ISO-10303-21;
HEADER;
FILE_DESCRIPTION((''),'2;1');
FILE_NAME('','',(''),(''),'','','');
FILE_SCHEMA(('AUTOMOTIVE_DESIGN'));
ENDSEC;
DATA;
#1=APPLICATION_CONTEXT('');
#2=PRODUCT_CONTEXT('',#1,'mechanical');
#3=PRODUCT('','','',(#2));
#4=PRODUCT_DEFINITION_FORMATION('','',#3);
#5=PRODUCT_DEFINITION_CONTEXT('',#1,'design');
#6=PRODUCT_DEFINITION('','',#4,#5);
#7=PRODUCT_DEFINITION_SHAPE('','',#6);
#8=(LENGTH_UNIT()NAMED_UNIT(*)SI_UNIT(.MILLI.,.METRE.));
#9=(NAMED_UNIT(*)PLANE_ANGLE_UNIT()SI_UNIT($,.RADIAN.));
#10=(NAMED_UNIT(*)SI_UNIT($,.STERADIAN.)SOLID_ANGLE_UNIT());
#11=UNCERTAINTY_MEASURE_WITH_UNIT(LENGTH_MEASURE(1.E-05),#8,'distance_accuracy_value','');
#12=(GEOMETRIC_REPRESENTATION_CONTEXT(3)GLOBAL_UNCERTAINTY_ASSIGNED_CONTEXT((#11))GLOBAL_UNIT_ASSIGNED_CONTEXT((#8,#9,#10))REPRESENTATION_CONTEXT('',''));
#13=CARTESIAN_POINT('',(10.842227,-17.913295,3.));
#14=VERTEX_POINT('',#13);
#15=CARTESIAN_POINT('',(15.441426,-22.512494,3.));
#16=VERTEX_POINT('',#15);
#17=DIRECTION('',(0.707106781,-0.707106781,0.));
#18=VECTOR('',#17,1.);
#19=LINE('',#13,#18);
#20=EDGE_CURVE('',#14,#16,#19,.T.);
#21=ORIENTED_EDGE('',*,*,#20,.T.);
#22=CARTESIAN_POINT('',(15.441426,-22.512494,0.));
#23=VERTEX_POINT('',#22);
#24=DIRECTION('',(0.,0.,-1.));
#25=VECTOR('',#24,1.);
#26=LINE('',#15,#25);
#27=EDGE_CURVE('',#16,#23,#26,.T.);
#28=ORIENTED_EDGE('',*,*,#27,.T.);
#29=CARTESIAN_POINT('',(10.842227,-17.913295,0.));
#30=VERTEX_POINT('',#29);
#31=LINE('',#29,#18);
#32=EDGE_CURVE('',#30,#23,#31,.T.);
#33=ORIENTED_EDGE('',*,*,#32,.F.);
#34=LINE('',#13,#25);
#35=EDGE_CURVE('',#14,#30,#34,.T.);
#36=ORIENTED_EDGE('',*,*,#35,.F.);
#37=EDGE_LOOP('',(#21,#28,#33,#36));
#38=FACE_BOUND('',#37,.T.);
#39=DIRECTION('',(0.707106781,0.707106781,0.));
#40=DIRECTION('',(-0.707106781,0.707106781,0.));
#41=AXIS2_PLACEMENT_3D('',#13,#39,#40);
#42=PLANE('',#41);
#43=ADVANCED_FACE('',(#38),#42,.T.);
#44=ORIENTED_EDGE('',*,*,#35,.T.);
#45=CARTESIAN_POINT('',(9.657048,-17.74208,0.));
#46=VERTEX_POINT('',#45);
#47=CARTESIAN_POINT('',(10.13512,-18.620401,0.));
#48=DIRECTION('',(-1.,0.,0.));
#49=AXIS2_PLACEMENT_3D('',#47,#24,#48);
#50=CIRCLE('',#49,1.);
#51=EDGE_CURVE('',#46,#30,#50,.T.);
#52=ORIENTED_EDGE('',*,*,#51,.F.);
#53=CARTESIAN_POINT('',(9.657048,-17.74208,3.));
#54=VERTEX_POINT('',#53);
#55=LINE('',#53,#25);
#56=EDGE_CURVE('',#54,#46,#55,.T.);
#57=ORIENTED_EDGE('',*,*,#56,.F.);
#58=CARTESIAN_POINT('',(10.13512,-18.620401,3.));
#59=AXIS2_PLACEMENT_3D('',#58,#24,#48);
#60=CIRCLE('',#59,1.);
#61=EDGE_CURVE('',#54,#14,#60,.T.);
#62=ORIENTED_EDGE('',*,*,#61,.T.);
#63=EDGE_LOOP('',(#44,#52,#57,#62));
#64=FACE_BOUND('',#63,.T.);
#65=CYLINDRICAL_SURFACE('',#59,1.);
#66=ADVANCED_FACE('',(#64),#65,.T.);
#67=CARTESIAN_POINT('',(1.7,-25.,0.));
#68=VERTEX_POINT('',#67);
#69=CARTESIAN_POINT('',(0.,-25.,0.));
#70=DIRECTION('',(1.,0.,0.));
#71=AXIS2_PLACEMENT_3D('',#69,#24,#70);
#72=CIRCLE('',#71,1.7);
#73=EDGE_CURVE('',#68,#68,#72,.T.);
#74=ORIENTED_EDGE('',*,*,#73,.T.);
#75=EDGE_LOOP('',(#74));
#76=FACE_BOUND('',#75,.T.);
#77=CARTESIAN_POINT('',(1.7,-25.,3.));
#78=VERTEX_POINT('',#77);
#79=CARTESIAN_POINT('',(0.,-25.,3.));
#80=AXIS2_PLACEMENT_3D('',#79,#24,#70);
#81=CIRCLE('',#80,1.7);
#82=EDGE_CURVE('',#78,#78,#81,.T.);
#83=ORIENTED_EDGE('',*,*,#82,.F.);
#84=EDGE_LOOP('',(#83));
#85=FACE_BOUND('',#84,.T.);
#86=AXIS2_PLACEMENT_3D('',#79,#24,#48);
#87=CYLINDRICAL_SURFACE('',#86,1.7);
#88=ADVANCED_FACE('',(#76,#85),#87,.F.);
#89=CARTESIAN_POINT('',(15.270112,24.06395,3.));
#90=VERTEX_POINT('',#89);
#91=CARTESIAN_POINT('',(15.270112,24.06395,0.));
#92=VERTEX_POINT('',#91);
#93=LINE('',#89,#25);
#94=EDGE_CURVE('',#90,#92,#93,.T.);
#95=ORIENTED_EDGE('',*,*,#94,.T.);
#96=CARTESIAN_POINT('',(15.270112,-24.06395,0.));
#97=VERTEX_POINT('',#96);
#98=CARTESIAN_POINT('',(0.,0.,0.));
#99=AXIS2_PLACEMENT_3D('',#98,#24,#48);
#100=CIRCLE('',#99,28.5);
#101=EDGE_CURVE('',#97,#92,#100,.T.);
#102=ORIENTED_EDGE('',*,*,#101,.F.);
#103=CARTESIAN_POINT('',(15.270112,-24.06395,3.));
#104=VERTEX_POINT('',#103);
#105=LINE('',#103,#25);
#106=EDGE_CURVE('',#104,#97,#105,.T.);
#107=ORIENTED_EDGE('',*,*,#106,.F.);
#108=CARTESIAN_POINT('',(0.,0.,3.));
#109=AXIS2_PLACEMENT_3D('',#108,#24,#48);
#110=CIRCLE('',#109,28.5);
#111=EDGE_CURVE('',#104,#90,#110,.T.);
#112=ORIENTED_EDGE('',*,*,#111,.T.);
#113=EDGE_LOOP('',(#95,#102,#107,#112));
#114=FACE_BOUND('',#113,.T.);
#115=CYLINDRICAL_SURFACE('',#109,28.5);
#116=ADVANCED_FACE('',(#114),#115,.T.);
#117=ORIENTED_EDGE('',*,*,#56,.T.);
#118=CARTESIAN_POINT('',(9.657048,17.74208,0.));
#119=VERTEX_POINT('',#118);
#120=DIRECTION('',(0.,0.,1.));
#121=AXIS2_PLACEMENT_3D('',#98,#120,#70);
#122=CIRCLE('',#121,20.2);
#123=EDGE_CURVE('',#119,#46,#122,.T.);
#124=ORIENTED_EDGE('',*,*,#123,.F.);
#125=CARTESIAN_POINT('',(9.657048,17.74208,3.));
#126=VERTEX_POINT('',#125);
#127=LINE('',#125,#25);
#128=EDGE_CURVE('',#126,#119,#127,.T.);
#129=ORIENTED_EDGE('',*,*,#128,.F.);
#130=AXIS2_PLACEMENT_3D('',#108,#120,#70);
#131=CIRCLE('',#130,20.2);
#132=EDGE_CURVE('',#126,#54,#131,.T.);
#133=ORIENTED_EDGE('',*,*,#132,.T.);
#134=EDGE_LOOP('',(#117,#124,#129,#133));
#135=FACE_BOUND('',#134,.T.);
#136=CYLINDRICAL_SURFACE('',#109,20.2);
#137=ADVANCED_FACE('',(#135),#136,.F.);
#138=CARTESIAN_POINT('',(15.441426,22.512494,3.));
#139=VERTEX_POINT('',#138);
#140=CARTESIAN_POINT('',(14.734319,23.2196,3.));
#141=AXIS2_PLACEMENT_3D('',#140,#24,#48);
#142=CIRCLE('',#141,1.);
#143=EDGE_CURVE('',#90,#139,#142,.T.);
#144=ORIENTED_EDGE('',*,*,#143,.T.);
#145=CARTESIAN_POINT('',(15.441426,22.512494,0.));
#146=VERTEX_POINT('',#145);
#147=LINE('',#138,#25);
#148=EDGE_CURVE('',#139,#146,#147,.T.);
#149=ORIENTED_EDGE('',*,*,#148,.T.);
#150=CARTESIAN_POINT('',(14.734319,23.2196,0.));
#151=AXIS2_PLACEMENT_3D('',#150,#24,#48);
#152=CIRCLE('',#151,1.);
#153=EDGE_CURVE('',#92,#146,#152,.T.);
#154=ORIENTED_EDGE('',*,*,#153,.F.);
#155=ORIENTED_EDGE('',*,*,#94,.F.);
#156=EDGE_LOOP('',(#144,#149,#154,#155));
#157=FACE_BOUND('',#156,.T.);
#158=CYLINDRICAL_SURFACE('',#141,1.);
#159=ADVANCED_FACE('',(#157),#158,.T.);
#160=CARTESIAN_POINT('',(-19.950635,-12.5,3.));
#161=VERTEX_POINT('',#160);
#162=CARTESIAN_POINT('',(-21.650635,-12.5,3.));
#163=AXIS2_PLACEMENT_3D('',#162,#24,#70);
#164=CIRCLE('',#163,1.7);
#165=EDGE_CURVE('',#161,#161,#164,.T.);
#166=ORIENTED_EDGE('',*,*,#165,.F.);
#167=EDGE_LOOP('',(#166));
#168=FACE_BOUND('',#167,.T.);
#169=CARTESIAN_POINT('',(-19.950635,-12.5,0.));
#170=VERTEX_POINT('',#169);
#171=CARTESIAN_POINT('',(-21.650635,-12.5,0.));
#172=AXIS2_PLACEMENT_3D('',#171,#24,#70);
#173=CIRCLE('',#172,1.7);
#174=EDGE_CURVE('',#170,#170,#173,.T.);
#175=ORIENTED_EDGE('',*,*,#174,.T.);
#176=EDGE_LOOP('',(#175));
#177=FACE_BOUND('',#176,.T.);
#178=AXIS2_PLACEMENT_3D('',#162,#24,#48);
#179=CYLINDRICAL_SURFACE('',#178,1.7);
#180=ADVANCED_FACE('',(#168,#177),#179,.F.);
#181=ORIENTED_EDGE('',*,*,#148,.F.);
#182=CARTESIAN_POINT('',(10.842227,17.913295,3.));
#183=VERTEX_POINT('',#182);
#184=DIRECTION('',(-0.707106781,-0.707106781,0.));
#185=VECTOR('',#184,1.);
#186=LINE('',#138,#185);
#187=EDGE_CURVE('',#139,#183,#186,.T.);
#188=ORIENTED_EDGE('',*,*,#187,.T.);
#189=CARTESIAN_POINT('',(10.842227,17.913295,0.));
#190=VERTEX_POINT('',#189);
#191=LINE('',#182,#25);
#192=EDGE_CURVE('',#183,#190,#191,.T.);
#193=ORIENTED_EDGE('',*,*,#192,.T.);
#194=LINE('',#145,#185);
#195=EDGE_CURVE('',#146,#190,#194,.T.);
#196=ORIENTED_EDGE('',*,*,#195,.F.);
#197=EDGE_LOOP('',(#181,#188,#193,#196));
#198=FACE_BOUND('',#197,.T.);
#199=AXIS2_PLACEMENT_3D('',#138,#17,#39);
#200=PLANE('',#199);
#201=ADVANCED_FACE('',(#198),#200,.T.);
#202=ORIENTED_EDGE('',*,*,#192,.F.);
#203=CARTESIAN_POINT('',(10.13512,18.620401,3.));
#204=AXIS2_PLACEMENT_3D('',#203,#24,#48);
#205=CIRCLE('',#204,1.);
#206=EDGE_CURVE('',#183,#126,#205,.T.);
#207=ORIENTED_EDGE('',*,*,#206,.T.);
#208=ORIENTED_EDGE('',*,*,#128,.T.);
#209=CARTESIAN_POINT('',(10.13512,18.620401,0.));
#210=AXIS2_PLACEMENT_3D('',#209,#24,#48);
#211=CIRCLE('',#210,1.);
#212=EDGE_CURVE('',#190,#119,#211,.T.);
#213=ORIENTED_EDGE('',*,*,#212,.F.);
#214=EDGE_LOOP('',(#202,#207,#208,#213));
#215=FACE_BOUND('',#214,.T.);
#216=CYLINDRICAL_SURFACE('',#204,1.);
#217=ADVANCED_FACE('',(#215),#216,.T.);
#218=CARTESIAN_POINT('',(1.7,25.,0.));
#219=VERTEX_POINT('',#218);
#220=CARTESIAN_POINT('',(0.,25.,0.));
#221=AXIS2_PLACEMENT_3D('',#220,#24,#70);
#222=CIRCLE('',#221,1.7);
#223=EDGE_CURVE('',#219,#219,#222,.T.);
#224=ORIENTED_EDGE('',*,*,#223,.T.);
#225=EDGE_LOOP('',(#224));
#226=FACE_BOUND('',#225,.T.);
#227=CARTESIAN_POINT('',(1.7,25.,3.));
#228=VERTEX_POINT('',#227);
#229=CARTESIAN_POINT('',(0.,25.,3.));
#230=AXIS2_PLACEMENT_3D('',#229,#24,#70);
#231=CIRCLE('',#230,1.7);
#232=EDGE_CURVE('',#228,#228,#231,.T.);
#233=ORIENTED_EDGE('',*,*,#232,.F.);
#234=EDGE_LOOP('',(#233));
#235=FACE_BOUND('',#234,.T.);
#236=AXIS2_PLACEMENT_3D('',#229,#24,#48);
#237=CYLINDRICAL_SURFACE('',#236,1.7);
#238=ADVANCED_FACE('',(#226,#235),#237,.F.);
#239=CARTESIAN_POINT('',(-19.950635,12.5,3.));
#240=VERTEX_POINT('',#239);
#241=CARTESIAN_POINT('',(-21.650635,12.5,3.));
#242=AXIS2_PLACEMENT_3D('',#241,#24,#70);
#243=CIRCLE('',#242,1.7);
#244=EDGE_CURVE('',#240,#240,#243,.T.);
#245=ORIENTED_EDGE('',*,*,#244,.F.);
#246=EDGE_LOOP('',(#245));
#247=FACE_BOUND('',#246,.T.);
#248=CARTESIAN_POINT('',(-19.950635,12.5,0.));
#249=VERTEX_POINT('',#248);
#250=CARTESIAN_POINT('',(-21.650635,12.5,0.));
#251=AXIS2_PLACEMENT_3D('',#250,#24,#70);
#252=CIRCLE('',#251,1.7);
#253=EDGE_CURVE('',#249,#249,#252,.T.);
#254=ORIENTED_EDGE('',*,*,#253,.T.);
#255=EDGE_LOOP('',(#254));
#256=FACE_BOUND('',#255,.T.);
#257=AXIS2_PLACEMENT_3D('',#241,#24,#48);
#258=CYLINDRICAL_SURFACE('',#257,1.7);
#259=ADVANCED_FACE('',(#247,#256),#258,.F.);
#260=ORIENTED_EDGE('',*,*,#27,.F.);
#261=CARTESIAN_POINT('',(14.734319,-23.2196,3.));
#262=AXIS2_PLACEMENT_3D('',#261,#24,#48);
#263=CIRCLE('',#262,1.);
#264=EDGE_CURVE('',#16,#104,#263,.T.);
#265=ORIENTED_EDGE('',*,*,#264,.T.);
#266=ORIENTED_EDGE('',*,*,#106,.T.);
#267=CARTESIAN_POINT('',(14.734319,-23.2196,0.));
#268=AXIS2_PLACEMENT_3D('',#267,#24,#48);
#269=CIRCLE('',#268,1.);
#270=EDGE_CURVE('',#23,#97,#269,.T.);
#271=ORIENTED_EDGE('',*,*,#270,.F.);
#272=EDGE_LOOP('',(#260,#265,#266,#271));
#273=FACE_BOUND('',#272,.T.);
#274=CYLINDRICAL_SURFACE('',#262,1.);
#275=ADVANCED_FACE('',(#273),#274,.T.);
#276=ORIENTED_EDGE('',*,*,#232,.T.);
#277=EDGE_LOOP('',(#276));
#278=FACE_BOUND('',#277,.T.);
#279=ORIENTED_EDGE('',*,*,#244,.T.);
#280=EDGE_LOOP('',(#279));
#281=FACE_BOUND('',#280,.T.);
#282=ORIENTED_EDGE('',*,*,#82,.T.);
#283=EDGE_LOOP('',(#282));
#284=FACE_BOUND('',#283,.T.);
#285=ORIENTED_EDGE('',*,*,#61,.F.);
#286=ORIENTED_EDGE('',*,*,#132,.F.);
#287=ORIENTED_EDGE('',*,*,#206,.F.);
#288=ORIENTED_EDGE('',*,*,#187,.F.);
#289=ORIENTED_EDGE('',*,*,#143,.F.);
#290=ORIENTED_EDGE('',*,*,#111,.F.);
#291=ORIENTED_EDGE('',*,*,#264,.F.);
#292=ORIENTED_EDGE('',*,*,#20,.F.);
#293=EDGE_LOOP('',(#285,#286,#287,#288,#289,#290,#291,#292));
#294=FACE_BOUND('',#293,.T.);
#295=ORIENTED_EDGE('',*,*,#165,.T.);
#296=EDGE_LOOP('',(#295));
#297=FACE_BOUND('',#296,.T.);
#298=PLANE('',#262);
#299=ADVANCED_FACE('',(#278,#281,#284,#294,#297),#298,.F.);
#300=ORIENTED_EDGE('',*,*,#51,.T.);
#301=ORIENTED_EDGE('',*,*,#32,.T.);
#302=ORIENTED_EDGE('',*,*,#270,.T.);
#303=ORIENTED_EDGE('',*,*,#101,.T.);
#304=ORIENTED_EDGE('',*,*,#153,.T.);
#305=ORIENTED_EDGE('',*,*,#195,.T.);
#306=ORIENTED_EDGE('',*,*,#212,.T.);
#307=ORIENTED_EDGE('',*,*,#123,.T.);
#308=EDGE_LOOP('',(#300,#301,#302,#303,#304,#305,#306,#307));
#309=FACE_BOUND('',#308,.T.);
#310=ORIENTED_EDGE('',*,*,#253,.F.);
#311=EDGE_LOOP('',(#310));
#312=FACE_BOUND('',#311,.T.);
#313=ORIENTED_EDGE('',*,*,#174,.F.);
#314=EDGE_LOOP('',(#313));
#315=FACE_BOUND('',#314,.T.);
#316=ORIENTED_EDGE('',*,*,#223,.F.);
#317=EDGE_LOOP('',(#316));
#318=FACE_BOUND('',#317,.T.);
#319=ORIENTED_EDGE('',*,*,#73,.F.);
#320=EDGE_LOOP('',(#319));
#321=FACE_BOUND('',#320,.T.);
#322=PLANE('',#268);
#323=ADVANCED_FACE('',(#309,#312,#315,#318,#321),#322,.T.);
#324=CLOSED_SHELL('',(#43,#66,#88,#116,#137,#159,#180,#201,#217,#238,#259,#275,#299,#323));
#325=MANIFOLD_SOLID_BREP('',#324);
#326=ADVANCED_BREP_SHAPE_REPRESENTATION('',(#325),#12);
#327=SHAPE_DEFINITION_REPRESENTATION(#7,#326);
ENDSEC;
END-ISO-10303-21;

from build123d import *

# Parameters (mm, degrees)
SKETCH_1_R      = 1.7
EXTRUDE_1_DEPTH = 3


with BuildPart() as part:
    # 草图1 → 凸台-拉伸1 (new body)
    with BuildSketch(Plane(origin=(0, 0, 0), x_dir=(-1, 0, 0), z_dir=(0, 0, -1))):
        with BuildLine():
            Line((-15.441425808, 22.51249362), (-10.842226699, 17.91329451))
            ThreePointArc((-10.842226699, 17.91329451), (-10.278098339, 17.630675486), (-9.657048223, 17.742080476))
            ThreePointArc((-9.657048223, 17.742080476), (20.2, 0), (-9.657048223, -17.742080476))
            ThreePointArc((-9.657048223, -17.742080476), (-10.278098339, -17.630675486), (-10.842226699, -17.91329451))
            Line((-10.842226699, -17.91329451), (-15.441425808, -22.51249362))
            ThreePointArc((-15.441425808, -22.51249362), (-15.728277814, -23.329354358), (-15.270112446, -24.063949507))
            ThreePointArc((-15.270112446, -24.063949507), (28.5, 0), (-15.270112446, 24.063949507))
            ThreePointArc((-15.270112446, 24.063949507), (-15.728277814, 23.329354358), (-15.441425808, 22.51249362))
        make_face()
        with Locations(Location((0, 25, 0), (0, 0, 180))):
            Circle(SKETCH_1_R, mode=Mode.SUBTRACT)
        with Locations(Location((0, -25, 0), (0, 0, 180))):
            Circle(SKETCH_1_R, mode=Mode.SUBTRACT)
        with Locations(Location((21.650635095, 12.5, 0), (0, 0, 180))):
            Circle(SKETCH_1_R, mode=Mode.SUBTRACT)
        with Locations(Location((21.650635095, -12.5, 0), (0, 0, 180))):
            Circle(SKETCH_1_R, mode=Mode.SUBTRACT)
    extrude(amount=-EXTRUDE_1_DEPTH)


solid = part.part
